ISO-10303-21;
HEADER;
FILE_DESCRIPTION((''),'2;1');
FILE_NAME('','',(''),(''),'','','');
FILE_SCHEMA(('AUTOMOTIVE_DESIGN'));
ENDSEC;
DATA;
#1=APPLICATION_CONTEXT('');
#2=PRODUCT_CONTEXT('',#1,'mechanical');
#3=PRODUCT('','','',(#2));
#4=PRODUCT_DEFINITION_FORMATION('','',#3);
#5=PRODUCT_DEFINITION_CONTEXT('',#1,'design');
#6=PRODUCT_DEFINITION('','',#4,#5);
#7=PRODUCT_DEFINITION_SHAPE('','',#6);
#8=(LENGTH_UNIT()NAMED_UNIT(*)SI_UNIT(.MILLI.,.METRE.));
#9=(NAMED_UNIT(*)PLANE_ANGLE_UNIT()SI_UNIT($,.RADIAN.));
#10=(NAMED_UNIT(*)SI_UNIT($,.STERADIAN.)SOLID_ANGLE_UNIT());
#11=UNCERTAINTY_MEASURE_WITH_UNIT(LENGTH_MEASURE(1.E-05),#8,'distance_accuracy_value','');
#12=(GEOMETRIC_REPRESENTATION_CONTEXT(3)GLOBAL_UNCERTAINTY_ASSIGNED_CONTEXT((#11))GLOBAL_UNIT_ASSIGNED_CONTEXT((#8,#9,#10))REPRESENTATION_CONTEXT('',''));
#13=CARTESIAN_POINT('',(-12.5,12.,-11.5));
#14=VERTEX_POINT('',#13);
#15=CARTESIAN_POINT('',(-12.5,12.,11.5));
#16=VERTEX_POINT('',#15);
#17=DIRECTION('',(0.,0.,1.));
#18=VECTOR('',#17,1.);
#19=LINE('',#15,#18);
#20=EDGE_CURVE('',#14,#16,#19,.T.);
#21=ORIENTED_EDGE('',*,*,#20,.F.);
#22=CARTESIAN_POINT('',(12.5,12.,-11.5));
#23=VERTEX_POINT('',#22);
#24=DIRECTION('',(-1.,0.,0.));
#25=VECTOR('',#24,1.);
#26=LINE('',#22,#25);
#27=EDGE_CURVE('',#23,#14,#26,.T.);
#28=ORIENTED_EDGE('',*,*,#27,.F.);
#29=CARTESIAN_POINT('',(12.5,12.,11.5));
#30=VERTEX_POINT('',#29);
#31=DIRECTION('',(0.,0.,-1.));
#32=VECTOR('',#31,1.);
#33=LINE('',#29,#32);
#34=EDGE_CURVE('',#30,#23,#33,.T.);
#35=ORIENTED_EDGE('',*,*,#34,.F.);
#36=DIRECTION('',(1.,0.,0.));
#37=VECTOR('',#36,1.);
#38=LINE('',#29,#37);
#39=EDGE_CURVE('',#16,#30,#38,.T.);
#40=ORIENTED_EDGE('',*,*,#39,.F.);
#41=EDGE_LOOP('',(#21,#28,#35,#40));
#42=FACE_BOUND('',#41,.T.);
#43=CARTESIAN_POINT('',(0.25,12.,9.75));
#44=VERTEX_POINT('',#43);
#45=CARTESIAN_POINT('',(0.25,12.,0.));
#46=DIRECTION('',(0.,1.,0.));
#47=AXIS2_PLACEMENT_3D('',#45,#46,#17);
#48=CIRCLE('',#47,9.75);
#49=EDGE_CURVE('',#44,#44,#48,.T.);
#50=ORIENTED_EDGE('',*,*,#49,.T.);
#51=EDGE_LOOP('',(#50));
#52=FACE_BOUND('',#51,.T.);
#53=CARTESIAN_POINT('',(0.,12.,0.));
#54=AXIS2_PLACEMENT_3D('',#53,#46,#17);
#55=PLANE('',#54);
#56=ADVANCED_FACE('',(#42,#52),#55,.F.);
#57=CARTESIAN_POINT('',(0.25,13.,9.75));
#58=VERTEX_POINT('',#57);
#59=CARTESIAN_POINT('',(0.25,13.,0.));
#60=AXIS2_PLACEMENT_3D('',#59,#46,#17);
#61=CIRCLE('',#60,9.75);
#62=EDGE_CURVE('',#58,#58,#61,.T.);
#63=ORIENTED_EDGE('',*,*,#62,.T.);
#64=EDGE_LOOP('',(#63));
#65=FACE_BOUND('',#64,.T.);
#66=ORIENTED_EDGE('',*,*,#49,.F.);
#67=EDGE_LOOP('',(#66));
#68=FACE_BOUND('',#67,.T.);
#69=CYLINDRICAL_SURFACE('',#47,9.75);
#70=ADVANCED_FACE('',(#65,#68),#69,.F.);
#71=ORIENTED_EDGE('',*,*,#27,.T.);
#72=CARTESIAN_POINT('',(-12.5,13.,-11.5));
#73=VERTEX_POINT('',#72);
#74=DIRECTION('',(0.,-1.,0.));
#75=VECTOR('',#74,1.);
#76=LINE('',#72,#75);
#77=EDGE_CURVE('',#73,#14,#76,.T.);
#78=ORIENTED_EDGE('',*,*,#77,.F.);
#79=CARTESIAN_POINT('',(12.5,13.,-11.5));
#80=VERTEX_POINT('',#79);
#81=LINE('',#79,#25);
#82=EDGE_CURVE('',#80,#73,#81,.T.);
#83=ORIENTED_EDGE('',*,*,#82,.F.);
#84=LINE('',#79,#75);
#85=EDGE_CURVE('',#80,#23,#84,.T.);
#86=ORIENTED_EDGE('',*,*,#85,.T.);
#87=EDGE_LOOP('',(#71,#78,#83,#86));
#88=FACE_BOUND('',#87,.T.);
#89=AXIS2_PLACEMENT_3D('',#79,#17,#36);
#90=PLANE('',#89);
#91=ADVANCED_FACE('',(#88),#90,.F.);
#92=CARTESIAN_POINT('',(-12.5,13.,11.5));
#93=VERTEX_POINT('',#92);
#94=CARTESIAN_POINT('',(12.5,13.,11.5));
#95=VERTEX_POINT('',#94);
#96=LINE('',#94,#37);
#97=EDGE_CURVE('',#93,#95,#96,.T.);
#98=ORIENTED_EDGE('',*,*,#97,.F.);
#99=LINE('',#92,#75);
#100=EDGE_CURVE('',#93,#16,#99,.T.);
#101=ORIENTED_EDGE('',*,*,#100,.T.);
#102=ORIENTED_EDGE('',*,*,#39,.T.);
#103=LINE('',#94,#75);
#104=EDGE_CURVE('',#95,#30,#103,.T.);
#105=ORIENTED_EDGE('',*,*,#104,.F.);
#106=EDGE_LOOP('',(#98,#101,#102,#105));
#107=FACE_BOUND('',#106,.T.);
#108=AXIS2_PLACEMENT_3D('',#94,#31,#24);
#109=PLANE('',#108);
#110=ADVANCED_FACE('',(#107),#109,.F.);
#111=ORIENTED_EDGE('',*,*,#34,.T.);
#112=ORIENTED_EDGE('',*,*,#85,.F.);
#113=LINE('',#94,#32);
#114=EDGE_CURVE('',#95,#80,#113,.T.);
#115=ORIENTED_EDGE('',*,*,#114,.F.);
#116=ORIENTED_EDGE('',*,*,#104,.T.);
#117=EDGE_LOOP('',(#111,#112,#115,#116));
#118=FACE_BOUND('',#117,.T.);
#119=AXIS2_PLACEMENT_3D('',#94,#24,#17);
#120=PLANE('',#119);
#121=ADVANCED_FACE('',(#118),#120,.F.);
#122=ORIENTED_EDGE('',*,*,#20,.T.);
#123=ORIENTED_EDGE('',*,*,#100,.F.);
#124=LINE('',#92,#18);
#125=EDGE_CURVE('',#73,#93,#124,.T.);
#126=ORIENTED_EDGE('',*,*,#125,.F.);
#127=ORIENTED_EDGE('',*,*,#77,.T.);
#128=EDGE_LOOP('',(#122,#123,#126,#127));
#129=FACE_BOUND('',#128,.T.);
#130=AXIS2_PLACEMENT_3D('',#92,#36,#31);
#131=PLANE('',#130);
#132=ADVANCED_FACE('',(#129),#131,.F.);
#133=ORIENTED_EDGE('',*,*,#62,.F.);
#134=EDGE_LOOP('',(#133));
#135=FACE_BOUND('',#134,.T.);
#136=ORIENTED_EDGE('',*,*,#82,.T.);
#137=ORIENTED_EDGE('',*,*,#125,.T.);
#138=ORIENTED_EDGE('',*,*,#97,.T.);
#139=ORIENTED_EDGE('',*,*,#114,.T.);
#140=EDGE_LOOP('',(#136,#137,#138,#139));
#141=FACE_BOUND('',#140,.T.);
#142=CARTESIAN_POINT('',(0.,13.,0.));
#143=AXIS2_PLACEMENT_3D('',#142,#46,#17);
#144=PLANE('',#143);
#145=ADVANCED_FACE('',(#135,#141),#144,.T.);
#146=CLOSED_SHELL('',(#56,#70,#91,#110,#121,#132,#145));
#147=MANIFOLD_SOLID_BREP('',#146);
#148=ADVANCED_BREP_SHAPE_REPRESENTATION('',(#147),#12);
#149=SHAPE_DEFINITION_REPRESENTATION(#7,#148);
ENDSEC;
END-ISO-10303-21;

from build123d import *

# Parameters (mm, degrees)
SKETCH_1_W          = 25
SKETCH_1_H          = 23
EXTRUDE_1_DEPTH     = 12
CUT_EXTRUDE_START   = 1
SKETCH_2_W          = 25
SKETCH_2_H          = 21
CUT_EXTRUDE_1_DEPTH = 11
EXTRUDE_START       = 12
SKETCH_6_W          = 25
SKETCH_6_H          = 23
EXTRUDE_3_DEPTH     = 1
CUT_EXTRUDE_START_2 = 13
SKETCH_8_R          = 9.75
CUT_EXTRUDE_2_DEPTH = 1
SKETCH_10_W         = 25
SKETCH_10_H         = 23
CUT_EXTRUDE_4_DEPTH = 12


with BuildPart() as part:
    # 스케치1 → 보스-돌출1 (new body)
    with BuildSketch(Plane(origin=(0, 0, 0), x_dir=(1, 0, 0), z_dir=(0, 1, 0))):
        Rectangle(SKETCH_1_W, SKETCH_1_H)
    extrude(amount=EXTRUDE_1_DEPTH)

    # 스케치2 → 컷-돌출1 (cut)
    with BuildSketch(Plane(origin=(0, 0, 0), x_dir=(1, 0, 0), z_dir=(0, 1, 0)).offset(CUT_EXTRUDE_START)):
        with Locations((1, 0)):
            Rectangle(SKETCH_2_W, SKETCH_2_H)
    extrude(amount=CUT_EXTRUDE_1_DEPTH, mode=Mode.SUBTRACT)

    # 스케치10 → 컷-돌출4 (cut)
    with BuildSketch(Plane.XZ):
        Rectangle(SKETCH_10_W, SKETCH_10_H)
    extrude(amount=-CUT_EXTRUDE_4_DEPTH, mode=Mode.SUBTRACT)


with BuildPart() as body_2:
    # 스케치6 → 보스-돌출3 (new body)
    with BuildSketch(Plane(origin=(0, 0, 0), x_dir=(1, 0, 0), z_dir=(0, 1, 0)).offset(EXTRUDE_START)):
        Rectangle(SKETCH_6_W, SKETCH_6_H)
    extrude(amount=EXTRUDE_3_DEPTH)

    # 스케치8 → 컷-돌출2 (cut)
    with BuildSketch(Plane(origin=(0, 0, 0), x_dir=(1, 0, 0), z_dir=(0, 1, 0)).offset(CUT_EXTRUDE_START_2)):
        with Locations(Location((0.25, 0, 0), (0, 0, 270))):
            Circle(SKETCH_8_R)
    extrude(amount=-CUT_EXTRUDE_2_DEPTH, mode=Mode.SUBTRACT)


solid = body_2.part
